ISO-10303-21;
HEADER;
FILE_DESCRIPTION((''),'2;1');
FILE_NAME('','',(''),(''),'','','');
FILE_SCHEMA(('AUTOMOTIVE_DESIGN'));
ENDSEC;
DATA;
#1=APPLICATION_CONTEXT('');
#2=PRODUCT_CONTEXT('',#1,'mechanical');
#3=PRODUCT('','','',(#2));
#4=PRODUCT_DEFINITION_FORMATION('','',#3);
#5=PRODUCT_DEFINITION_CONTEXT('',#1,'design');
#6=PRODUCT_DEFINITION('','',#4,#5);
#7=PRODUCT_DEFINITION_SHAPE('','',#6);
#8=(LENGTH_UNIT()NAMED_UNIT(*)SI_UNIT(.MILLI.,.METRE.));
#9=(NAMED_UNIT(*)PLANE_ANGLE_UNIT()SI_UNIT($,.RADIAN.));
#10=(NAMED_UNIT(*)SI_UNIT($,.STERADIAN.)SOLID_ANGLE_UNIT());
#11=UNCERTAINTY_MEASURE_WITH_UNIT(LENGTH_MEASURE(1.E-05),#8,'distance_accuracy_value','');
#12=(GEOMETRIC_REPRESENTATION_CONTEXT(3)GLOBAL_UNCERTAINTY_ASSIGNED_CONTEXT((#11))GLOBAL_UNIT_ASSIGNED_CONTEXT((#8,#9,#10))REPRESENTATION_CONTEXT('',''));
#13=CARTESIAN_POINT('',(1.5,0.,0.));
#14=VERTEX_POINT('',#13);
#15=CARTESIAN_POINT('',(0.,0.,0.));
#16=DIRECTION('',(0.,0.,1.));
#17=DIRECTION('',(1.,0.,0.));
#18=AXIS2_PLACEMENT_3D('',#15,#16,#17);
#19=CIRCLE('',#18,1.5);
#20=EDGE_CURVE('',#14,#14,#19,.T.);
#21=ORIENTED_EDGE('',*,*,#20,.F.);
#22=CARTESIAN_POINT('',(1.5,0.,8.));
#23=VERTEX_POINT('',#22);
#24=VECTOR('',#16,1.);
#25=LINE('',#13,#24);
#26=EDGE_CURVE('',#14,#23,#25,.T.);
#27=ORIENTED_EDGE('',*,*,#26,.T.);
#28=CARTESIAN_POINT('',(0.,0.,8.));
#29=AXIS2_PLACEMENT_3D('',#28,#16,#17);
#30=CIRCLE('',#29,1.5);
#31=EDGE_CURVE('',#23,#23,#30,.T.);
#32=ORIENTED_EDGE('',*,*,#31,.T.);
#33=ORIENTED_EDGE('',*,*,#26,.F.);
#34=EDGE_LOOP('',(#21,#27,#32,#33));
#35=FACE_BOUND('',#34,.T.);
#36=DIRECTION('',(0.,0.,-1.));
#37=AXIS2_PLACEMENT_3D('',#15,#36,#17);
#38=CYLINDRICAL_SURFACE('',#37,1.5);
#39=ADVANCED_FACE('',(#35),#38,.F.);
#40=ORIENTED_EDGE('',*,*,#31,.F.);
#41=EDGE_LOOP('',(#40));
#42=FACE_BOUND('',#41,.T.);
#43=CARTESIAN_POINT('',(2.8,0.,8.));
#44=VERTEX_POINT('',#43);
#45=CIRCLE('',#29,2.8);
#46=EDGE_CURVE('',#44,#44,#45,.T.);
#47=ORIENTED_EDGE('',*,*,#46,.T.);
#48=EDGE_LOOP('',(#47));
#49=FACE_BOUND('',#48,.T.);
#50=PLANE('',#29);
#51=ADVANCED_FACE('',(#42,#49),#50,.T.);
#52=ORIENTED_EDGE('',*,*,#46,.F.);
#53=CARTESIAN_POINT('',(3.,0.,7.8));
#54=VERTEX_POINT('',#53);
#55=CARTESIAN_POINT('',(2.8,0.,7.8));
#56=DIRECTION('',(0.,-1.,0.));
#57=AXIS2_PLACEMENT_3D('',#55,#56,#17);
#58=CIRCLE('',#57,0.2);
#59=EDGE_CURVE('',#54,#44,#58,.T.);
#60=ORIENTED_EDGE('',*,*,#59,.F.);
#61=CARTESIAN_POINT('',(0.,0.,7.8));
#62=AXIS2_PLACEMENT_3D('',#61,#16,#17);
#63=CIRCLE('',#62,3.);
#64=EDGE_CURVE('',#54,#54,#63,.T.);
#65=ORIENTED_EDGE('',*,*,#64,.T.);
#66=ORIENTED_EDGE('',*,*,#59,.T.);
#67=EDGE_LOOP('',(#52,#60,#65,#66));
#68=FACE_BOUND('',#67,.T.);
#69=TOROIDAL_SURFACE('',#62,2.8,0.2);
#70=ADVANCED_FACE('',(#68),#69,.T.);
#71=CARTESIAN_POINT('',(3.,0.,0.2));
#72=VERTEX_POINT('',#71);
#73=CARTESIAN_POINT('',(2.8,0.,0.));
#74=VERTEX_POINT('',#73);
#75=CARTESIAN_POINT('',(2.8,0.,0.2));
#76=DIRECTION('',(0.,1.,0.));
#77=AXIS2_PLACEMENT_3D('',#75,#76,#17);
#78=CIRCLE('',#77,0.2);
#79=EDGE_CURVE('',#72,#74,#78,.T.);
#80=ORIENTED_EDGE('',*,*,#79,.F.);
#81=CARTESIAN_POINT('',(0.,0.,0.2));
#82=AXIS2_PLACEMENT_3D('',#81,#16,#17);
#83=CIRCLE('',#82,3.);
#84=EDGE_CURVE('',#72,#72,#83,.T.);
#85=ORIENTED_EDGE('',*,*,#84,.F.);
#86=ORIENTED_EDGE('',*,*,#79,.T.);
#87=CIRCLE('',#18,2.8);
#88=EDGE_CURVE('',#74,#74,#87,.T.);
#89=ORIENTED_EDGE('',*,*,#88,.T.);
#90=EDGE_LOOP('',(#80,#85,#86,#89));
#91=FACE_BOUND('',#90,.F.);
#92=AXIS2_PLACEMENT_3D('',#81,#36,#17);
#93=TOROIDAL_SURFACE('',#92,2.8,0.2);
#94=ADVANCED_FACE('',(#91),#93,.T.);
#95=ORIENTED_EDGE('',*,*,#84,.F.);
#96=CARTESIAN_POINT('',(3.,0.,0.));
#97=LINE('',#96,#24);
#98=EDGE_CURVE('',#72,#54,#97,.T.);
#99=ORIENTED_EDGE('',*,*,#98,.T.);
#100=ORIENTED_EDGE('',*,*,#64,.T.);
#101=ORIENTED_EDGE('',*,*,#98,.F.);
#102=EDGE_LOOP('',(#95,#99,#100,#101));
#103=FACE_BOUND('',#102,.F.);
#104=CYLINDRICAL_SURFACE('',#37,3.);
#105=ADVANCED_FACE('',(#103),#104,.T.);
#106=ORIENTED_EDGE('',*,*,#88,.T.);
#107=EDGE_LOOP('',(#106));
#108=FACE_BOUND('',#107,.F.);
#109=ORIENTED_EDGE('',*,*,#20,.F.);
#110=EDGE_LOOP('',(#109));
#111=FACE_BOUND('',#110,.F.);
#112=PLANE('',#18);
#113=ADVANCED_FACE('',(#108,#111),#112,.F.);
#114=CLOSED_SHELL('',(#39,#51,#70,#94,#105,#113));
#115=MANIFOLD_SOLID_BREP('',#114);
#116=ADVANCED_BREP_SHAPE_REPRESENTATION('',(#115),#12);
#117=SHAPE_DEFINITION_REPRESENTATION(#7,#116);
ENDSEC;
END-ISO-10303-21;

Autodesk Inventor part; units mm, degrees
ref_plane "YZ Plane" through (0, 0, 0) normal (1, 0, 0) x (0, 1, 0)
ref_plane "XZ Plane" through (0, 0, 0) normal (0, 1, 0) x (-1, 0, 0)
ref_plane "XY Plane" through (0, 0, 0) normal (0, 0, 1) x (1, 0, 0)
sketch "スケッチ1" plane through (0, 0, 0) normal (0, 0, 1) x (1, 0, 0)
  circle A0 centre (0, 0) radius 3
  circle A1 centre (0, 0) radius 1.5
  dimension "d0" = 6
  dimension "d1" = 3
extrude "押し出し1" add sketch "スケッチ1" along normal blind 8
fillet "フィレット1" radius 0.2 2 edges at (-3, 0, 0) (-3, 0, 8)
properties part number "スペーサー中空M3L8アルミ" material "アルミニウム 2014-T4"
